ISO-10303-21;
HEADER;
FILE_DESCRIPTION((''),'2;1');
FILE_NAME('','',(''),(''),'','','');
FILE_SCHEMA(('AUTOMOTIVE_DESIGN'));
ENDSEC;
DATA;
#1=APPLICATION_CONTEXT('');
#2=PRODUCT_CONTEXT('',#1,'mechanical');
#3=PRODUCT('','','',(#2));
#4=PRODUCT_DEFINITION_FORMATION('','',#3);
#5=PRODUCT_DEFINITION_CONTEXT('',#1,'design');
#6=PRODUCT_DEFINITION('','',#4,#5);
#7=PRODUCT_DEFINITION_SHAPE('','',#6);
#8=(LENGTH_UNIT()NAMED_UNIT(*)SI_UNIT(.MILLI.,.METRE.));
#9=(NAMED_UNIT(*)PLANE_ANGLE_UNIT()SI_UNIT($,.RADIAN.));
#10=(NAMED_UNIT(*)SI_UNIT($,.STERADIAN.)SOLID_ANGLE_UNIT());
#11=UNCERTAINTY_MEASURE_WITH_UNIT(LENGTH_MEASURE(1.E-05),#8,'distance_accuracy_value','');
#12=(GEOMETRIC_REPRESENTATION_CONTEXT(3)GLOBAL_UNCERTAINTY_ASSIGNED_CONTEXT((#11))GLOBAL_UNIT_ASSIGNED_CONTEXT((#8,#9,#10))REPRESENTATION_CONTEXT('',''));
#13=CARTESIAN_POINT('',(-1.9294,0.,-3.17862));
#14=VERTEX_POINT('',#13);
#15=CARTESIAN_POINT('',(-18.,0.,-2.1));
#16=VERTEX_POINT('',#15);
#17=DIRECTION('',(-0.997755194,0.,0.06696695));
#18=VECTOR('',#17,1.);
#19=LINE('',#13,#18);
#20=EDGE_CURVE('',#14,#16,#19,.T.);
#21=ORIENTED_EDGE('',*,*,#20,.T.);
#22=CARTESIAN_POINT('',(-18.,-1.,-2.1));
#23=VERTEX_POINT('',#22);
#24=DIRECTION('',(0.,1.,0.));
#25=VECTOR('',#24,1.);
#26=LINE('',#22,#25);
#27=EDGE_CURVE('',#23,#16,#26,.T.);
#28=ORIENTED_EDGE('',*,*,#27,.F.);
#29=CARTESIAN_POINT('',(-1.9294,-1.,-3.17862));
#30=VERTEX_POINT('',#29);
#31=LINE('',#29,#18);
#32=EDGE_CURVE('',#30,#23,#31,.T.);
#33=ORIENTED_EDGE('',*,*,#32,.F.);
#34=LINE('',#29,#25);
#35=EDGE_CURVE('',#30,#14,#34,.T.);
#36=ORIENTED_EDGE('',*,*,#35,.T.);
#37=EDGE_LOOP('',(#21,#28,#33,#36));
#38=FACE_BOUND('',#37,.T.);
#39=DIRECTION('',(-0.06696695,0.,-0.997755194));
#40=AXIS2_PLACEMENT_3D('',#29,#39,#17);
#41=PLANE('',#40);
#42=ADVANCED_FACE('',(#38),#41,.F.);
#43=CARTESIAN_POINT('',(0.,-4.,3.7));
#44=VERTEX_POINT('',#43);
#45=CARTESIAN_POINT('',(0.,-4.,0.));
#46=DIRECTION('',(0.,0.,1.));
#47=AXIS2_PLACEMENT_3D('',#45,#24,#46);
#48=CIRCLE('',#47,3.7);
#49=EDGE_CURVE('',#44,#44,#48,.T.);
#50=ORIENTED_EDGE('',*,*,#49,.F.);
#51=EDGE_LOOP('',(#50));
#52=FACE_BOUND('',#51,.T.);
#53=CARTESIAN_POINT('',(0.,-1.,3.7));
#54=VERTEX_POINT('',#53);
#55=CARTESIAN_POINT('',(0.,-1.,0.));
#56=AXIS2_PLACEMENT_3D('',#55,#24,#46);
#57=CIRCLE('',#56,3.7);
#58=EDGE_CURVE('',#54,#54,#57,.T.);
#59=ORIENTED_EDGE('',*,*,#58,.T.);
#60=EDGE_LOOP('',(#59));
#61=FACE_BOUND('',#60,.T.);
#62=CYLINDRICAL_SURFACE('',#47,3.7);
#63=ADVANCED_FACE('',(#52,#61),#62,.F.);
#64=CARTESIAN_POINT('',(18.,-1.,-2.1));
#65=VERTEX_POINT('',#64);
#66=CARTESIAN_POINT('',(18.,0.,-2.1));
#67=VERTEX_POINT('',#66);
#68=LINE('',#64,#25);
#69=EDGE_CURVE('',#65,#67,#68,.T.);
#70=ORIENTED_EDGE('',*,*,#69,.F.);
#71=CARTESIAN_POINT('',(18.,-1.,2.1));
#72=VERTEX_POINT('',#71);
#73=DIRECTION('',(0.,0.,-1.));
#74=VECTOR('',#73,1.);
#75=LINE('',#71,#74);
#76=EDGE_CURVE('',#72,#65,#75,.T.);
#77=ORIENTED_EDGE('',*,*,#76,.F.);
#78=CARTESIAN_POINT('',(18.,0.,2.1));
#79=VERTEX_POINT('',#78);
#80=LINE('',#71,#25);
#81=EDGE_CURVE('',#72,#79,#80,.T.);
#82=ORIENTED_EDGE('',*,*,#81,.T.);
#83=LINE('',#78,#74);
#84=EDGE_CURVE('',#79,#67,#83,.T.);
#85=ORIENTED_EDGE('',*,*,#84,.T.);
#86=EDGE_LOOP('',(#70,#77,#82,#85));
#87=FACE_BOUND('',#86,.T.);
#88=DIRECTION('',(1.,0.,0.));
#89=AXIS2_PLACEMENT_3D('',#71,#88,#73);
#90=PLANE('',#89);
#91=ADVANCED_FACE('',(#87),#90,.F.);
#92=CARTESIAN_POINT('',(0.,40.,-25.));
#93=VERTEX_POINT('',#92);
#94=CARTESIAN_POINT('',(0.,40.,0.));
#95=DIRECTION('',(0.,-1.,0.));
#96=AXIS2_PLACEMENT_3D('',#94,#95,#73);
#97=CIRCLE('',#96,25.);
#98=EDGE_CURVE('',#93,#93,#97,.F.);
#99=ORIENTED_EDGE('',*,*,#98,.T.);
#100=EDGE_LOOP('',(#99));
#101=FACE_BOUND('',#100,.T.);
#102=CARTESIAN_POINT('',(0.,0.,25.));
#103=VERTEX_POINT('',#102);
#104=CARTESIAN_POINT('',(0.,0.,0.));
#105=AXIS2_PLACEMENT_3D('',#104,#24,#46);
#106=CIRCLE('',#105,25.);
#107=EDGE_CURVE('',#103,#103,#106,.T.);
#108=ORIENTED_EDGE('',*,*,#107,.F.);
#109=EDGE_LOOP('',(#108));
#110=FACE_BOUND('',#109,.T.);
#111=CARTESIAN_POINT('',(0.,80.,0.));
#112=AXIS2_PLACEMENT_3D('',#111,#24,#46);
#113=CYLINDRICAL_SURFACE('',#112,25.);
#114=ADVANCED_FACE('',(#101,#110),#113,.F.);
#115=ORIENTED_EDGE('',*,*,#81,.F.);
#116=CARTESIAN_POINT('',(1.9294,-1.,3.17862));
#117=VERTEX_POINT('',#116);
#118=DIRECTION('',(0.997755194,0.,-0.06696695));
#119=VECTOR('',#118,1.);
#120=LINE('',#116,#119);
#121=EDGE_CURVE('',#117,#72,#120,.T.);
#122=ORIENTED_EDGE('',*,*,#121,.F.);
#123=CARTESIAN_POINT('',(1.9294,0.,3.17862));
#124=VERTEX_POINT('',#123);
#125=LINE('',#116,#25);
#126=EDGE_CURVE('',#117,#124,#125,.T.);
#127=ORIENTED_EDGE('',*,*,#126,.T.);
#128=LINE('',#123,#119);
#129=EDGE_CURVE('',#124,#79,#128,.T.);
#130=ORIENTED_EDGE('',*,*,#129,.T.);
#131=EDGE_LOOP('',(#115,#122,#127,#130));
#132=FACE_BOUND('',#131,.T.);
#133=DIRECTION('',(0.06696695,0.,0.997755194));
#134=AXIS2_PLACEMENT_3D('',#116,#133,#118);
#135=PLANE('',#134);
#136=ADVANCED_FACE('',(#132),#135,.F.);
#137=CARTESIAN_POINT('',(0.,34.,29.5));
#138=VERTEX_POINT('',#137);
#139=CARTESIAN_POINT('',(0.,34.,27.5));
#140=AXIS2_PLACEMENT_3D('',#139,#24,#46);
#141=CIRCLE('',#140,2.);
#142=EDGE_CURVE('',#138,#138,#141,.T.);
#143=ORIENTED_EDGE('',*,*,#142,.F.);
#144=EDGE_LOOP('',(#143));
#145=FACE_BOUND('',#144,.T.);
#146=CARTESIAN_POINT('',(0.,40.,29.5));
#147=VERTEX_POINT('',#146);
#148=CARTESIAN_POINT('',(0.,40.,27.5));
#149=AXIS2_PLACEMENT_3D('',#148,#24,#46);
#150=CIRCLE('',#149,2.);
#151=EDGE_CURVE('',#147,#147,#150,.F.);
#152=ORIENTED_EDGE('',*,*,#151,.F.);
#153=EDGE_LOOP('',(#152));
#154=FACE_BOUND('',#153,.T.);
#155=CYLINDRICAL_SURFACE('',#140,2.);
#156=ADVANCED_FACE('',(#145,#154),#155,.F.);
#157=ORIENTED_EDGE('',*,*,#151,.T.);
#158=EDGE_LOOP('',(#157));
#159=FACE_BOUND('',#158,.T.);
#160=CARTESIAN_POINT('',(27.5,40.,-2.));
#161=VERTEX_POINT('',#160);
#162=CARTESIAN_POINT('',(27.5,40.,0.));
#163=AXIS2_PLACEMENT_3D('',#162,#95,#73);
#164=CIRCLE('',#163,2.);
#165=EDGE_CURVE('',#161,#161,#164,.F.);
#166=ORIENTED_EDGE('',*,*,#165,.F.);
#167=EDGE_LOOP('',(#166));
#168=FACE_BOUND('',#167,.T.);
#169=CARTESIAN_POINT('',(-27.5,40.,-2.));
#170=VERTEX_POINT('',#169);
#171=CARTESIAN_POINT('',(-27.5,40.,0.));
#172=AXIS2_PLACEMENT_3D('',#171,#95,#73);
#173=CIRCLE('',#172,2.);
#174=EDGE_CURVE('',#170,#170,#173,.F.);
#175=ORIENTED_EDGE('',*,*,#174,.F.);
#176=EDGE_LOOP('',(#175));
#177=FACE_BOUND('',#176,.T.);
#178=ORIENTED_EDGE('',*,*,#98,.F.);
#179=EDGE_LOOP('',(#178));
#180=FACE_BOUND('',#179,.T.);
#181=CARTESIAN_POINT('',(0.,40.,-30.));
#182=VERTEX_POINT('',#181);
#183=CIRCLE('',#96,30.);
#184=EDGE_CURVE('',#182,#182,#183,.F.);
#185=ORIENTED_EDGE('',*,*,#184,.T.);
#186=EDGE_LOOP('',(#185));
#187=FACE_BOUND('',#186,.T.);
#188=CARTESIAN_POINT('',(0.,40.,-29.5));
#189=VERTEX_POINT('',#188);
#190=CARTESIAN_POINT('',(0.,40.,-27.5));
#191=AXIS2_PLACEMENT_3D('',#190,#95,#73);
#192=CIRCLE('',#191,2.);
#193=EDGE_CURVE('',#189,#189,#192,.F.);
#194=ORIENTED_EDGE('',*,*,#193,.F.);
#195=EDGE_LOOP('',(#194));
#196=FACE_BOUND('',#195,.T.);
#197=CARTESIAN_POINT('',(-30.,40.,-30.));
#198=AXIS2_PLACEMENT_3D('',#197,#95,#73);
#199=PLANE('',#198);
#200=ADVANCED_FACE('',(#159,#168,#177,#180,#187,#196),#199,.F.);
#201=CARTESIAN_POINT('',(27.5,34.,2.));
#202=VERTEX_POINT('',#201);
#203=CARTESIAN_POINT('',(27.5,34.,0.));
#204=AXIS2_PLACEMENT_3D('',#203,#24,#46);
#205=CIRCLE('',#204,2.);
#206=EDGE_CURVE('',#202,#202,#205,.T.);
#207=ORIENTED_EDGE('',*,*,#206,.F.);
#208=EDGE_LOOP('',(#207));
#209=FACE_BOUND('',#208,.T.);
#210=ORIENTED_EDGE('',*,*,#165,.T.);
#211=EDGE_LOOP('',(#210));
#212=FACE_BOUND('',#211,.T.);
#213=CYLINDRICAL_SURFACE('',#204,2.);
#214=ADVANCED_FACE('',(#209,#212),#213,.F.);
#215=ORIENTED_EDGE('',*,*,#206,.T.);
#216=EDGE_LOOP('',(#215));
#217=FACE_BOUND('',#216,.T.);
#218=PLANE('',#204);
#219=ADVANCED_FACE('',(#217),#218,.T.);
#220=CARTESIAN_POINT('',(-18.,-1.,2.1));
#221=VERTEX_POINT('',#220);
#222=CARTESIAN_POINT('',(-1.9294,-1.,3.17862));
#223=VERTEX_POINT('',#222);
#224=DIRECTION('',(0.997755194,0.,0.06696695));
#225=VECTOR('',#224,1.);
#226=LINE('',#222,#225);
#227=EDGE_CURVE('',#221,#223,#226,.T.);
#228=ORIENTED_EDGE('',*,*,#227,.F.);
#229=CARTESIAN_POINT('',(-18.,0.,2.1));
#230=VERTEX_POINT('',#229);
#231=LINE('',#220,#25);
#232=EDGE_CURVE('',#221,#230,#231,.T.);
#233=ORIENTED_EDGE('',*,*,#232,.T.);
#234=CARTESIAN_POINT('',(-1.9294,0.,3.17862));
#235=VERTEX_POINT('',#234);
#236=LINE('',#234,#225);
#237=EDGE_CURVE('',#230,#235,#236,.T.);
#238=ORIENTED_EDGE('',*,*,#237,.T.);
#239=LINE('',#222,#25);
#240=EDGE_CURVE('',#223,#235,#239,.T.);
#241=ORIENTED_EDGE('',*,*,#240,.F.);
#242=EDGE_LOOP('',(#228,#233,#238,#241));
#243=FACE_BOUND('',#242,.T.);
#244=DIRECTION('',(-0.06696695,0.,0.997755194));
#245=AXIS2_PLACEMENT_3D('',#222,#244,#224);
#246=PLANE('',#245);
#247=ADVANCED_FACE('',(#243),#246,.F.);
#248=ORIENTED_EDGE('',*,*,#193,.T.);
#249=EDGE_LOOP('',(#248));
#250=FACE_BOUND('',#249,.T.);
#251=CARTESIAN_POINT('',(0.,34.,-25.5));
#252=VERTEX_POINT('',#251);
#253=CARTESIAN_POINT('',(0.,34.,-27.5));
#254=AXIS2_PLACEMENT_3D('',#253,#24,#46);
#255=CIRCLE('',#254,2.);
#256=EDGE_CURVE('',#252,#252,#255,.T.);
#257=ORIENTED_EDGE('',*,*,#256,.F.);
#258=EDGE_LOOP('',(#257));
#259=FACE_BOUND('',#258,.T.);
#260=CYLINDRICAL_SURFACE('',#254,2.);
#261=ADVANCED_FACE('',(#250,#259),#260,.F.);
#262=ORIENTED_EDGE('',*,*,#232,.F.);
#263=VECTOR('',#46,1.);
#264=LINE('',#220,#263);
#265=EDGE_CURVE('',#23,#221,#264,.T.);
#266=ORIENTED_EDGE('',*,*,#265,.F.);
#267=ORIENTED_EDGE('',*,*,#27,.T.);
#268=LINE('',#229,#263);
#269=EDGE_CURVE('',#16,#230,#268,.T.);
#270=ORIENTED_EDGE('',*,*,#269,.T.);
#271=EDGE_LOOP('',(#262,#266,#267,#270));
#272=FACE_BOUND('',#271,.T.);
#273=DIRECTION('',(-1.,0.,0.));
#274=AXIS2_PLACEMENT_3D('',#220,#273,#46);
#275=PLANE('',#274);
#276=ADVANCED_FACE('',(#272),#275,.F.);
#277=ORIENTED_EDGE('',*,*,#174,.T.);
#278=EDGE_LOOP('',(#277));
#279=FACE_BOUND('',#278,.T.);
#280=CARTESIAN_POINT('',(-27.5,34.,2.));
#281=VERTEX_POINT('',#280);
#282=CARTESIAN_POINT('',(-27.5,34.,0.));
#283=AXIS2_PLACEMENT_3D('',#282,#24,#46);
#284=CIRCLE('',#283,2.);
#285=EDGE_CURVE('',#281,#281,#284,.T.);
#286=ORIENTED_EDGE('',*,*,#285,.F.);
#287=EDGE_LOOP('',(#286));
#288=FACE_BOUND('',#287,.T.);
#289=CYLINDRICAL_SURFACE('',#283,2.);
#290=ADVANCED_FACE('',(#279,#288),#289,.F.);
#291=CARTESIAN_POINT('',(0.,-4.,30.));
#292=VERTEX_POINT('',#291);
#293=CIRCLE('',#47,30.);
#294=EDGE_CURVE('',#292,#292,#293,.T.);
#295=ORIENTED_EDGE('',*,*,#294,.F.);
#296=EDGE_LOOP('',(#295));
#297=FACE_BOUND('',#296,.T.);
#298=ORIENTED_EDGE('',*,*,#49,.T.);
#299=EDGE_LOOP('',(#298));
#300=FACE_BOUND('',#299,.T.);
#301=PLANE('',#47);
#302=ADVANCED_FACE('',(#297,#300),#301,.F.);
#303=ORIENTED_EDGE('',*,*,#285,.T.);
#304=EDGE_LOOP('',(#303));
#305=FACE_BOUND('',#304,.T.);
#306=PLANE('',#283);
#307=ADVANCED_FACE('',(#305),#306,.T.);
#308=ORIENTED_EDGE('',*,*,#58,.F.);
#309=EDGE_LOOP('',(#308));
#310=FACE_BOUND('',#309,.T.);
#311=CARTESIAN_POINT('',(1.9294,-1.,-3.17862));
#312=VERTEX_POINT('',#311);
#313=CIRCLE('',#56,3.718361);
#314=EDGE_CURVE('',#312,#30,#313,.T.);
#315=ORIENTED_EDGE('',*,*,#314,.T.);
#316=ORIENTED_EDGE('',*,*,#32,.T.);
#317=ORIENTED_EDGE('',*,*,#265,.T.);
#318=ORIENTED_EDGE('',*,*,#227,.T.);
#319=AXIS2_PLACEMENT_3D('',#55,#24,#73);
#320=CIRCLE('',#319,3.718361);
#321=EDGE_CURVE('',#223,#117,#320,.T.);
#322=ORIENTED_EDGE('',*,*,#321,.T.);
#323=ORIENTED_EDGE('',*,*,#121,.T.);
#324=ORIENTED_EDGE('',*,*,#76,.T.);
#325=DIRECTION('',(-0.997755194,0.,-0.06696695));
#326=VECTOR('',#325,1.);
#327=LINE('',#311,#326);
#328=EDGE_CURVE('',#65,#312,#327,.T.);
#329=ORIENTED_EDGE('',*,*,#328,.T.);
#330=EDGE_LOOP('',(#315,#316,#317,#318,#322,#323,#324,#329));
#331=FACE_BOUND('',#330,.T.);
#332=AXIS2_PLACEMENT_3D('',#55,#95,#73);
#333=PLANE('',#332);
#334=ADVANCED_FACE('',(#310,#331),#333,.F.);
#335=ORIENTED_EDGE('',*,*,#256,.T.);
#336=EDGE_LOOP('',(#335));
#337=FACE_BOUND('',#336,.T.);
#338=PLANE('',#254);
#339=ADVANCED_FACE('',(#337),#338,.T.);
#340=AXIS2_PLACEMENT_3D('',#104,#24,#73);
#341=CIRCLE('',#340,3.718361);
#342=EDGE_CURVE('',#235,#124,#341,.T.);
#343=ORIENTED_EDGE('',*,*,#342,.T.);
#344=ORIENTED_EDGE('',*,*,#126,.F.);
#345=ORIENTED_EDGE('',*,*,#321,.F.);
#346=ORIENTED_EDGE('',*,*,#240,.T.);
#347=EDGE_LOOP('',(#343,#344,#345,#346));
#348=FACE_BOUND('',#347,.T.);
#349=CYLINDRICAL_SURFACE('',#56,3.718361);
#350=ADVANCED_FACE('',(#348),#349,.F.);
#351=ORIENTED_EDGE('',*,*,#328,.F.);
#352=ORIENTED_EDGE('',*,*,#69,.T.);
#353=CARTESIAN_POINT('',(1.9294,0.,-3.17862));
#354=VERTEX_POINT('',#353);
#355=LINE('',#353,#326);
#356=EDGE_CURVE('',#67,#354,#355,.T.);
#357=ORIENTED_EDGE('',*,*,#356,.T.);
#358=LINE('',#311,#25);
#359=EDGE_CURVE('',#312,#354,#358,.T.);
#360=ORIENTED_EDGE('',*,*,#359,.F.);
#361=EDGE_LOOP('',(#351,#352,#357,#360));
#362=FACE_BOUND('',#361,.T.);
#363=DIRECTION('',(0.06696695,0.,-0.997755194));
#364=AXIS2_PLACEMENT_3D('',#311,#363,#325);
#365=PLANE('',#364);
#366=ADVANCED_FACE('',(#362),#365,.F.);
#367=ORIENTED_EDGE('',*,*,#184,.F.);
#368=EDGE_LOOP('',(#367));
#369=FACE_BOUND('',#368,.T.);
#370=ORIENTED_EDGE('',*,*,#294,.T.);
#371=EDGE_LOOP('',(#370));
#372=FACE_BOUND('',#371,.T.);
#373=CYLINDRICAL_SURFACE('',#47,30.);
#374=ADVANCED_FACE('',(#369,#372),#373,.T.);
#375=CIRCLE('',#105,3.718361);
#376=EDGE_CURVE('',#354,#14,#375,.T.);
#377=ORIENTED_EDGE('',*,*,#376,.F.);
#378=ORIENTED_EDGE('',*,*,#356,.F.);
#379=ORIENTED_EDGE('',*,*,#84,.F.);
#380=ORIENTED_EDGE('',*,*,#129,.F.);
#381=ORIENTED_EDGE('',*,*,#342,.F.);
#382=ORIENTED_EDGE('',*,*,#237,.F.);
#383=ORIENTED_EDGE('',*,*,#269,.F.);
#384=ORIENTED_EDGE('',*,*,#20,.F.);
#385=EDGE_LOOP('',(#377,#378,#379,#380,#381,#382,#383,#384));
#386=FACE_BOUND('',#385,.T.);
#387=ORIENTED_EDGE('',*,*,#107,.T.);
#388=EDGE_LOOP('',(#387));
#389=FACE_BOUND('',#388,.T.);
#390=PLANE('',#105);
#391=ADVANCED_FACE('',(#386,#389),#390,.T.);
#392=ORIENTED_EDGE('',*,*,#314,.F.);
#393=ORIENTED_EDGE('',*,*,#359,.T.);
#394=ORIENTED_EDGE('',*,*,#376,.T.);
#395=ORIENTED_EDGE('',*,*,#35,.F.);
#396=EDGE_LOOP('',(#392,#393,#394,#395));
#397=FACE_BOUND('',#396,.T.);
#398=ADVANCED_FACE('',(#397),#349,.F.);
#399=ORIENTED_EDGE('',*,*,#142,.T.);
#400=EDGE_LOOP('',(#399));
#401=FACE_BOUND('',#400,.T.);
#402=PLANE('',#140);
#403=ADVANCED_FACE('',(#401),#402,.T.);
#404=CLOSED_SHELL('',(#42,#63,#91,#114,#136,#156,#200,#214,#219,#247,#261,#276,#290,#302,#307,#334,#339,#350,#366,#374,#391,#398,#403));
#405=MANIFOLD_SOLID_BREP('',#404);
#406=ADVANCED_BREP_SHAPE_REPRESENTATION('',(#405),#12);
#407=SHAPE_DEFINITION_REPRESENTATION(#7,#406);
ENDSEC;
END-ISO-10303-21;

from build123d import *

# Parameters (mm, degrees)
CROQUIS2_R              = 30
SALIENTE_EXTRUIR1_DEPTH = 4
CORTAR_EXTRUIR1_DEPTH   = 1
CROQUIS3_R              = 3.7
CORTAR_EXTRUIR2_DEPTH   = 3
CROQUIS5_W              = 5
CROQUIS5_H              = 80
CROQUIS6_R              = 2
CORTAR_EXTRUIR3_DEPTH   = 46
CROQUIS7_W              = 60
CROQUIS7_H              = 40
CORTAR_EXTRUIR4_DEPTH   = 30


with BuildPart() as part:
    # Croquis2 → Saliente-Extruir1 (new body)
    with BuildSketch(Plane(origin=(0, 0, 0), x_dir=(1, 0, 0), z_dir=(0, 1, 0))):
        Circle(CROQUIS2_R)
    extrude(amount=-SALIENTE_EXTRUIR1_DEPTH)

    # Croquis1 → Cortar-Extruir1 (cut)
    with BuildSketch(Plane(origin=(0, 0, 0), x_dir=(1, 0, 0), z_dir=(0, 1, 0))):
        with BuildLine():
            Line((18, -2.1), (18, 2.1))
            Line((18, 2.1), (1.92939966, 3.178620376))
            ThreePointArc((1.92939966, 3.178620376), (0, 3.718361271), (-1.92939966, 3.178620376))
            Line((-1.92939966, 3.178620376), (-18, 2.1))
            Line((-18, 2.1), (-18, -2.1))
            Line((-18, -2.1), (-1.92939966, -3.178620376))
            ThreePointArc((-1.92939966, -3.178620376), (0, -3.718361271), (1.92939966, -3.178620376))
            Line((1.92939966, -3.178620376), (18, -2.1))
        make_face()
    extrude(amount=-CORTAR_EXTRUIR1_DEPTH, mode=Mode.SUBTRACT)

    # Croquis3 → Cortar-Extruir2 (cut)
    with BuildSketch(Plane(origin=(0, -1, 0), x_dir=(1, 0, 0), z_dir=(0, 1, 0))):
        Circle(CROQUIS3_R)
    extrude(amount=-CORTAR_EXTRUIR2_DEPTH, mode=Mode.SUBTRACT)

    # Croquis5 → Revolución1 (revolve)
    with BuildSketch(Plane.XY):
        with Locations((27.5, 40)):
            Rectangle(CROQUIS5_W, CROQUIS5_H)
    revolve(axis=Axis((0, 80, 0), (0, -1, 0)))

    # Croquis6 → Cortar-Extruir3 (cut)
    with BuildSketch(Plane(origin=(0, 80, 0), x_dir=(1, 0, 0), z_dir=(0, 1, 0))):
        with Locations((27.5, 0)):
            Circle(CROQUIS6_R)
        with Locations((0, -27.5)):
            Circle(CROQUIS6_R)
        with Locations((-27.5, 0)):
            Circle(CROQUIS6_R)
        with Locations((0, 27.5)):
            Circle(CROQUIS6_R)
    extrude(amount=-CORTAR_EXTRUIR3_DEPTH, mode=Mode.SUBTRACT)

    # Croquis7 → Cortar-Extruir4 (cut)
    with BuildSketch(Plane.XY):
        with Locations((0, 60)):
            Rectangle(CROQUIS7_W, CROQUIS7_H)
    cortar_extruir4 = extrude(amount=-CORTAR_EXTRUIR4_DEPTH, mode=Mode.SUBTRACT)

    # Simetría1: Cortar-Extruir4 across plane
    add(cortar_extruir4.mirror(Plane.XY), mode=Mode.SUBTRACT)


solid = part.part
